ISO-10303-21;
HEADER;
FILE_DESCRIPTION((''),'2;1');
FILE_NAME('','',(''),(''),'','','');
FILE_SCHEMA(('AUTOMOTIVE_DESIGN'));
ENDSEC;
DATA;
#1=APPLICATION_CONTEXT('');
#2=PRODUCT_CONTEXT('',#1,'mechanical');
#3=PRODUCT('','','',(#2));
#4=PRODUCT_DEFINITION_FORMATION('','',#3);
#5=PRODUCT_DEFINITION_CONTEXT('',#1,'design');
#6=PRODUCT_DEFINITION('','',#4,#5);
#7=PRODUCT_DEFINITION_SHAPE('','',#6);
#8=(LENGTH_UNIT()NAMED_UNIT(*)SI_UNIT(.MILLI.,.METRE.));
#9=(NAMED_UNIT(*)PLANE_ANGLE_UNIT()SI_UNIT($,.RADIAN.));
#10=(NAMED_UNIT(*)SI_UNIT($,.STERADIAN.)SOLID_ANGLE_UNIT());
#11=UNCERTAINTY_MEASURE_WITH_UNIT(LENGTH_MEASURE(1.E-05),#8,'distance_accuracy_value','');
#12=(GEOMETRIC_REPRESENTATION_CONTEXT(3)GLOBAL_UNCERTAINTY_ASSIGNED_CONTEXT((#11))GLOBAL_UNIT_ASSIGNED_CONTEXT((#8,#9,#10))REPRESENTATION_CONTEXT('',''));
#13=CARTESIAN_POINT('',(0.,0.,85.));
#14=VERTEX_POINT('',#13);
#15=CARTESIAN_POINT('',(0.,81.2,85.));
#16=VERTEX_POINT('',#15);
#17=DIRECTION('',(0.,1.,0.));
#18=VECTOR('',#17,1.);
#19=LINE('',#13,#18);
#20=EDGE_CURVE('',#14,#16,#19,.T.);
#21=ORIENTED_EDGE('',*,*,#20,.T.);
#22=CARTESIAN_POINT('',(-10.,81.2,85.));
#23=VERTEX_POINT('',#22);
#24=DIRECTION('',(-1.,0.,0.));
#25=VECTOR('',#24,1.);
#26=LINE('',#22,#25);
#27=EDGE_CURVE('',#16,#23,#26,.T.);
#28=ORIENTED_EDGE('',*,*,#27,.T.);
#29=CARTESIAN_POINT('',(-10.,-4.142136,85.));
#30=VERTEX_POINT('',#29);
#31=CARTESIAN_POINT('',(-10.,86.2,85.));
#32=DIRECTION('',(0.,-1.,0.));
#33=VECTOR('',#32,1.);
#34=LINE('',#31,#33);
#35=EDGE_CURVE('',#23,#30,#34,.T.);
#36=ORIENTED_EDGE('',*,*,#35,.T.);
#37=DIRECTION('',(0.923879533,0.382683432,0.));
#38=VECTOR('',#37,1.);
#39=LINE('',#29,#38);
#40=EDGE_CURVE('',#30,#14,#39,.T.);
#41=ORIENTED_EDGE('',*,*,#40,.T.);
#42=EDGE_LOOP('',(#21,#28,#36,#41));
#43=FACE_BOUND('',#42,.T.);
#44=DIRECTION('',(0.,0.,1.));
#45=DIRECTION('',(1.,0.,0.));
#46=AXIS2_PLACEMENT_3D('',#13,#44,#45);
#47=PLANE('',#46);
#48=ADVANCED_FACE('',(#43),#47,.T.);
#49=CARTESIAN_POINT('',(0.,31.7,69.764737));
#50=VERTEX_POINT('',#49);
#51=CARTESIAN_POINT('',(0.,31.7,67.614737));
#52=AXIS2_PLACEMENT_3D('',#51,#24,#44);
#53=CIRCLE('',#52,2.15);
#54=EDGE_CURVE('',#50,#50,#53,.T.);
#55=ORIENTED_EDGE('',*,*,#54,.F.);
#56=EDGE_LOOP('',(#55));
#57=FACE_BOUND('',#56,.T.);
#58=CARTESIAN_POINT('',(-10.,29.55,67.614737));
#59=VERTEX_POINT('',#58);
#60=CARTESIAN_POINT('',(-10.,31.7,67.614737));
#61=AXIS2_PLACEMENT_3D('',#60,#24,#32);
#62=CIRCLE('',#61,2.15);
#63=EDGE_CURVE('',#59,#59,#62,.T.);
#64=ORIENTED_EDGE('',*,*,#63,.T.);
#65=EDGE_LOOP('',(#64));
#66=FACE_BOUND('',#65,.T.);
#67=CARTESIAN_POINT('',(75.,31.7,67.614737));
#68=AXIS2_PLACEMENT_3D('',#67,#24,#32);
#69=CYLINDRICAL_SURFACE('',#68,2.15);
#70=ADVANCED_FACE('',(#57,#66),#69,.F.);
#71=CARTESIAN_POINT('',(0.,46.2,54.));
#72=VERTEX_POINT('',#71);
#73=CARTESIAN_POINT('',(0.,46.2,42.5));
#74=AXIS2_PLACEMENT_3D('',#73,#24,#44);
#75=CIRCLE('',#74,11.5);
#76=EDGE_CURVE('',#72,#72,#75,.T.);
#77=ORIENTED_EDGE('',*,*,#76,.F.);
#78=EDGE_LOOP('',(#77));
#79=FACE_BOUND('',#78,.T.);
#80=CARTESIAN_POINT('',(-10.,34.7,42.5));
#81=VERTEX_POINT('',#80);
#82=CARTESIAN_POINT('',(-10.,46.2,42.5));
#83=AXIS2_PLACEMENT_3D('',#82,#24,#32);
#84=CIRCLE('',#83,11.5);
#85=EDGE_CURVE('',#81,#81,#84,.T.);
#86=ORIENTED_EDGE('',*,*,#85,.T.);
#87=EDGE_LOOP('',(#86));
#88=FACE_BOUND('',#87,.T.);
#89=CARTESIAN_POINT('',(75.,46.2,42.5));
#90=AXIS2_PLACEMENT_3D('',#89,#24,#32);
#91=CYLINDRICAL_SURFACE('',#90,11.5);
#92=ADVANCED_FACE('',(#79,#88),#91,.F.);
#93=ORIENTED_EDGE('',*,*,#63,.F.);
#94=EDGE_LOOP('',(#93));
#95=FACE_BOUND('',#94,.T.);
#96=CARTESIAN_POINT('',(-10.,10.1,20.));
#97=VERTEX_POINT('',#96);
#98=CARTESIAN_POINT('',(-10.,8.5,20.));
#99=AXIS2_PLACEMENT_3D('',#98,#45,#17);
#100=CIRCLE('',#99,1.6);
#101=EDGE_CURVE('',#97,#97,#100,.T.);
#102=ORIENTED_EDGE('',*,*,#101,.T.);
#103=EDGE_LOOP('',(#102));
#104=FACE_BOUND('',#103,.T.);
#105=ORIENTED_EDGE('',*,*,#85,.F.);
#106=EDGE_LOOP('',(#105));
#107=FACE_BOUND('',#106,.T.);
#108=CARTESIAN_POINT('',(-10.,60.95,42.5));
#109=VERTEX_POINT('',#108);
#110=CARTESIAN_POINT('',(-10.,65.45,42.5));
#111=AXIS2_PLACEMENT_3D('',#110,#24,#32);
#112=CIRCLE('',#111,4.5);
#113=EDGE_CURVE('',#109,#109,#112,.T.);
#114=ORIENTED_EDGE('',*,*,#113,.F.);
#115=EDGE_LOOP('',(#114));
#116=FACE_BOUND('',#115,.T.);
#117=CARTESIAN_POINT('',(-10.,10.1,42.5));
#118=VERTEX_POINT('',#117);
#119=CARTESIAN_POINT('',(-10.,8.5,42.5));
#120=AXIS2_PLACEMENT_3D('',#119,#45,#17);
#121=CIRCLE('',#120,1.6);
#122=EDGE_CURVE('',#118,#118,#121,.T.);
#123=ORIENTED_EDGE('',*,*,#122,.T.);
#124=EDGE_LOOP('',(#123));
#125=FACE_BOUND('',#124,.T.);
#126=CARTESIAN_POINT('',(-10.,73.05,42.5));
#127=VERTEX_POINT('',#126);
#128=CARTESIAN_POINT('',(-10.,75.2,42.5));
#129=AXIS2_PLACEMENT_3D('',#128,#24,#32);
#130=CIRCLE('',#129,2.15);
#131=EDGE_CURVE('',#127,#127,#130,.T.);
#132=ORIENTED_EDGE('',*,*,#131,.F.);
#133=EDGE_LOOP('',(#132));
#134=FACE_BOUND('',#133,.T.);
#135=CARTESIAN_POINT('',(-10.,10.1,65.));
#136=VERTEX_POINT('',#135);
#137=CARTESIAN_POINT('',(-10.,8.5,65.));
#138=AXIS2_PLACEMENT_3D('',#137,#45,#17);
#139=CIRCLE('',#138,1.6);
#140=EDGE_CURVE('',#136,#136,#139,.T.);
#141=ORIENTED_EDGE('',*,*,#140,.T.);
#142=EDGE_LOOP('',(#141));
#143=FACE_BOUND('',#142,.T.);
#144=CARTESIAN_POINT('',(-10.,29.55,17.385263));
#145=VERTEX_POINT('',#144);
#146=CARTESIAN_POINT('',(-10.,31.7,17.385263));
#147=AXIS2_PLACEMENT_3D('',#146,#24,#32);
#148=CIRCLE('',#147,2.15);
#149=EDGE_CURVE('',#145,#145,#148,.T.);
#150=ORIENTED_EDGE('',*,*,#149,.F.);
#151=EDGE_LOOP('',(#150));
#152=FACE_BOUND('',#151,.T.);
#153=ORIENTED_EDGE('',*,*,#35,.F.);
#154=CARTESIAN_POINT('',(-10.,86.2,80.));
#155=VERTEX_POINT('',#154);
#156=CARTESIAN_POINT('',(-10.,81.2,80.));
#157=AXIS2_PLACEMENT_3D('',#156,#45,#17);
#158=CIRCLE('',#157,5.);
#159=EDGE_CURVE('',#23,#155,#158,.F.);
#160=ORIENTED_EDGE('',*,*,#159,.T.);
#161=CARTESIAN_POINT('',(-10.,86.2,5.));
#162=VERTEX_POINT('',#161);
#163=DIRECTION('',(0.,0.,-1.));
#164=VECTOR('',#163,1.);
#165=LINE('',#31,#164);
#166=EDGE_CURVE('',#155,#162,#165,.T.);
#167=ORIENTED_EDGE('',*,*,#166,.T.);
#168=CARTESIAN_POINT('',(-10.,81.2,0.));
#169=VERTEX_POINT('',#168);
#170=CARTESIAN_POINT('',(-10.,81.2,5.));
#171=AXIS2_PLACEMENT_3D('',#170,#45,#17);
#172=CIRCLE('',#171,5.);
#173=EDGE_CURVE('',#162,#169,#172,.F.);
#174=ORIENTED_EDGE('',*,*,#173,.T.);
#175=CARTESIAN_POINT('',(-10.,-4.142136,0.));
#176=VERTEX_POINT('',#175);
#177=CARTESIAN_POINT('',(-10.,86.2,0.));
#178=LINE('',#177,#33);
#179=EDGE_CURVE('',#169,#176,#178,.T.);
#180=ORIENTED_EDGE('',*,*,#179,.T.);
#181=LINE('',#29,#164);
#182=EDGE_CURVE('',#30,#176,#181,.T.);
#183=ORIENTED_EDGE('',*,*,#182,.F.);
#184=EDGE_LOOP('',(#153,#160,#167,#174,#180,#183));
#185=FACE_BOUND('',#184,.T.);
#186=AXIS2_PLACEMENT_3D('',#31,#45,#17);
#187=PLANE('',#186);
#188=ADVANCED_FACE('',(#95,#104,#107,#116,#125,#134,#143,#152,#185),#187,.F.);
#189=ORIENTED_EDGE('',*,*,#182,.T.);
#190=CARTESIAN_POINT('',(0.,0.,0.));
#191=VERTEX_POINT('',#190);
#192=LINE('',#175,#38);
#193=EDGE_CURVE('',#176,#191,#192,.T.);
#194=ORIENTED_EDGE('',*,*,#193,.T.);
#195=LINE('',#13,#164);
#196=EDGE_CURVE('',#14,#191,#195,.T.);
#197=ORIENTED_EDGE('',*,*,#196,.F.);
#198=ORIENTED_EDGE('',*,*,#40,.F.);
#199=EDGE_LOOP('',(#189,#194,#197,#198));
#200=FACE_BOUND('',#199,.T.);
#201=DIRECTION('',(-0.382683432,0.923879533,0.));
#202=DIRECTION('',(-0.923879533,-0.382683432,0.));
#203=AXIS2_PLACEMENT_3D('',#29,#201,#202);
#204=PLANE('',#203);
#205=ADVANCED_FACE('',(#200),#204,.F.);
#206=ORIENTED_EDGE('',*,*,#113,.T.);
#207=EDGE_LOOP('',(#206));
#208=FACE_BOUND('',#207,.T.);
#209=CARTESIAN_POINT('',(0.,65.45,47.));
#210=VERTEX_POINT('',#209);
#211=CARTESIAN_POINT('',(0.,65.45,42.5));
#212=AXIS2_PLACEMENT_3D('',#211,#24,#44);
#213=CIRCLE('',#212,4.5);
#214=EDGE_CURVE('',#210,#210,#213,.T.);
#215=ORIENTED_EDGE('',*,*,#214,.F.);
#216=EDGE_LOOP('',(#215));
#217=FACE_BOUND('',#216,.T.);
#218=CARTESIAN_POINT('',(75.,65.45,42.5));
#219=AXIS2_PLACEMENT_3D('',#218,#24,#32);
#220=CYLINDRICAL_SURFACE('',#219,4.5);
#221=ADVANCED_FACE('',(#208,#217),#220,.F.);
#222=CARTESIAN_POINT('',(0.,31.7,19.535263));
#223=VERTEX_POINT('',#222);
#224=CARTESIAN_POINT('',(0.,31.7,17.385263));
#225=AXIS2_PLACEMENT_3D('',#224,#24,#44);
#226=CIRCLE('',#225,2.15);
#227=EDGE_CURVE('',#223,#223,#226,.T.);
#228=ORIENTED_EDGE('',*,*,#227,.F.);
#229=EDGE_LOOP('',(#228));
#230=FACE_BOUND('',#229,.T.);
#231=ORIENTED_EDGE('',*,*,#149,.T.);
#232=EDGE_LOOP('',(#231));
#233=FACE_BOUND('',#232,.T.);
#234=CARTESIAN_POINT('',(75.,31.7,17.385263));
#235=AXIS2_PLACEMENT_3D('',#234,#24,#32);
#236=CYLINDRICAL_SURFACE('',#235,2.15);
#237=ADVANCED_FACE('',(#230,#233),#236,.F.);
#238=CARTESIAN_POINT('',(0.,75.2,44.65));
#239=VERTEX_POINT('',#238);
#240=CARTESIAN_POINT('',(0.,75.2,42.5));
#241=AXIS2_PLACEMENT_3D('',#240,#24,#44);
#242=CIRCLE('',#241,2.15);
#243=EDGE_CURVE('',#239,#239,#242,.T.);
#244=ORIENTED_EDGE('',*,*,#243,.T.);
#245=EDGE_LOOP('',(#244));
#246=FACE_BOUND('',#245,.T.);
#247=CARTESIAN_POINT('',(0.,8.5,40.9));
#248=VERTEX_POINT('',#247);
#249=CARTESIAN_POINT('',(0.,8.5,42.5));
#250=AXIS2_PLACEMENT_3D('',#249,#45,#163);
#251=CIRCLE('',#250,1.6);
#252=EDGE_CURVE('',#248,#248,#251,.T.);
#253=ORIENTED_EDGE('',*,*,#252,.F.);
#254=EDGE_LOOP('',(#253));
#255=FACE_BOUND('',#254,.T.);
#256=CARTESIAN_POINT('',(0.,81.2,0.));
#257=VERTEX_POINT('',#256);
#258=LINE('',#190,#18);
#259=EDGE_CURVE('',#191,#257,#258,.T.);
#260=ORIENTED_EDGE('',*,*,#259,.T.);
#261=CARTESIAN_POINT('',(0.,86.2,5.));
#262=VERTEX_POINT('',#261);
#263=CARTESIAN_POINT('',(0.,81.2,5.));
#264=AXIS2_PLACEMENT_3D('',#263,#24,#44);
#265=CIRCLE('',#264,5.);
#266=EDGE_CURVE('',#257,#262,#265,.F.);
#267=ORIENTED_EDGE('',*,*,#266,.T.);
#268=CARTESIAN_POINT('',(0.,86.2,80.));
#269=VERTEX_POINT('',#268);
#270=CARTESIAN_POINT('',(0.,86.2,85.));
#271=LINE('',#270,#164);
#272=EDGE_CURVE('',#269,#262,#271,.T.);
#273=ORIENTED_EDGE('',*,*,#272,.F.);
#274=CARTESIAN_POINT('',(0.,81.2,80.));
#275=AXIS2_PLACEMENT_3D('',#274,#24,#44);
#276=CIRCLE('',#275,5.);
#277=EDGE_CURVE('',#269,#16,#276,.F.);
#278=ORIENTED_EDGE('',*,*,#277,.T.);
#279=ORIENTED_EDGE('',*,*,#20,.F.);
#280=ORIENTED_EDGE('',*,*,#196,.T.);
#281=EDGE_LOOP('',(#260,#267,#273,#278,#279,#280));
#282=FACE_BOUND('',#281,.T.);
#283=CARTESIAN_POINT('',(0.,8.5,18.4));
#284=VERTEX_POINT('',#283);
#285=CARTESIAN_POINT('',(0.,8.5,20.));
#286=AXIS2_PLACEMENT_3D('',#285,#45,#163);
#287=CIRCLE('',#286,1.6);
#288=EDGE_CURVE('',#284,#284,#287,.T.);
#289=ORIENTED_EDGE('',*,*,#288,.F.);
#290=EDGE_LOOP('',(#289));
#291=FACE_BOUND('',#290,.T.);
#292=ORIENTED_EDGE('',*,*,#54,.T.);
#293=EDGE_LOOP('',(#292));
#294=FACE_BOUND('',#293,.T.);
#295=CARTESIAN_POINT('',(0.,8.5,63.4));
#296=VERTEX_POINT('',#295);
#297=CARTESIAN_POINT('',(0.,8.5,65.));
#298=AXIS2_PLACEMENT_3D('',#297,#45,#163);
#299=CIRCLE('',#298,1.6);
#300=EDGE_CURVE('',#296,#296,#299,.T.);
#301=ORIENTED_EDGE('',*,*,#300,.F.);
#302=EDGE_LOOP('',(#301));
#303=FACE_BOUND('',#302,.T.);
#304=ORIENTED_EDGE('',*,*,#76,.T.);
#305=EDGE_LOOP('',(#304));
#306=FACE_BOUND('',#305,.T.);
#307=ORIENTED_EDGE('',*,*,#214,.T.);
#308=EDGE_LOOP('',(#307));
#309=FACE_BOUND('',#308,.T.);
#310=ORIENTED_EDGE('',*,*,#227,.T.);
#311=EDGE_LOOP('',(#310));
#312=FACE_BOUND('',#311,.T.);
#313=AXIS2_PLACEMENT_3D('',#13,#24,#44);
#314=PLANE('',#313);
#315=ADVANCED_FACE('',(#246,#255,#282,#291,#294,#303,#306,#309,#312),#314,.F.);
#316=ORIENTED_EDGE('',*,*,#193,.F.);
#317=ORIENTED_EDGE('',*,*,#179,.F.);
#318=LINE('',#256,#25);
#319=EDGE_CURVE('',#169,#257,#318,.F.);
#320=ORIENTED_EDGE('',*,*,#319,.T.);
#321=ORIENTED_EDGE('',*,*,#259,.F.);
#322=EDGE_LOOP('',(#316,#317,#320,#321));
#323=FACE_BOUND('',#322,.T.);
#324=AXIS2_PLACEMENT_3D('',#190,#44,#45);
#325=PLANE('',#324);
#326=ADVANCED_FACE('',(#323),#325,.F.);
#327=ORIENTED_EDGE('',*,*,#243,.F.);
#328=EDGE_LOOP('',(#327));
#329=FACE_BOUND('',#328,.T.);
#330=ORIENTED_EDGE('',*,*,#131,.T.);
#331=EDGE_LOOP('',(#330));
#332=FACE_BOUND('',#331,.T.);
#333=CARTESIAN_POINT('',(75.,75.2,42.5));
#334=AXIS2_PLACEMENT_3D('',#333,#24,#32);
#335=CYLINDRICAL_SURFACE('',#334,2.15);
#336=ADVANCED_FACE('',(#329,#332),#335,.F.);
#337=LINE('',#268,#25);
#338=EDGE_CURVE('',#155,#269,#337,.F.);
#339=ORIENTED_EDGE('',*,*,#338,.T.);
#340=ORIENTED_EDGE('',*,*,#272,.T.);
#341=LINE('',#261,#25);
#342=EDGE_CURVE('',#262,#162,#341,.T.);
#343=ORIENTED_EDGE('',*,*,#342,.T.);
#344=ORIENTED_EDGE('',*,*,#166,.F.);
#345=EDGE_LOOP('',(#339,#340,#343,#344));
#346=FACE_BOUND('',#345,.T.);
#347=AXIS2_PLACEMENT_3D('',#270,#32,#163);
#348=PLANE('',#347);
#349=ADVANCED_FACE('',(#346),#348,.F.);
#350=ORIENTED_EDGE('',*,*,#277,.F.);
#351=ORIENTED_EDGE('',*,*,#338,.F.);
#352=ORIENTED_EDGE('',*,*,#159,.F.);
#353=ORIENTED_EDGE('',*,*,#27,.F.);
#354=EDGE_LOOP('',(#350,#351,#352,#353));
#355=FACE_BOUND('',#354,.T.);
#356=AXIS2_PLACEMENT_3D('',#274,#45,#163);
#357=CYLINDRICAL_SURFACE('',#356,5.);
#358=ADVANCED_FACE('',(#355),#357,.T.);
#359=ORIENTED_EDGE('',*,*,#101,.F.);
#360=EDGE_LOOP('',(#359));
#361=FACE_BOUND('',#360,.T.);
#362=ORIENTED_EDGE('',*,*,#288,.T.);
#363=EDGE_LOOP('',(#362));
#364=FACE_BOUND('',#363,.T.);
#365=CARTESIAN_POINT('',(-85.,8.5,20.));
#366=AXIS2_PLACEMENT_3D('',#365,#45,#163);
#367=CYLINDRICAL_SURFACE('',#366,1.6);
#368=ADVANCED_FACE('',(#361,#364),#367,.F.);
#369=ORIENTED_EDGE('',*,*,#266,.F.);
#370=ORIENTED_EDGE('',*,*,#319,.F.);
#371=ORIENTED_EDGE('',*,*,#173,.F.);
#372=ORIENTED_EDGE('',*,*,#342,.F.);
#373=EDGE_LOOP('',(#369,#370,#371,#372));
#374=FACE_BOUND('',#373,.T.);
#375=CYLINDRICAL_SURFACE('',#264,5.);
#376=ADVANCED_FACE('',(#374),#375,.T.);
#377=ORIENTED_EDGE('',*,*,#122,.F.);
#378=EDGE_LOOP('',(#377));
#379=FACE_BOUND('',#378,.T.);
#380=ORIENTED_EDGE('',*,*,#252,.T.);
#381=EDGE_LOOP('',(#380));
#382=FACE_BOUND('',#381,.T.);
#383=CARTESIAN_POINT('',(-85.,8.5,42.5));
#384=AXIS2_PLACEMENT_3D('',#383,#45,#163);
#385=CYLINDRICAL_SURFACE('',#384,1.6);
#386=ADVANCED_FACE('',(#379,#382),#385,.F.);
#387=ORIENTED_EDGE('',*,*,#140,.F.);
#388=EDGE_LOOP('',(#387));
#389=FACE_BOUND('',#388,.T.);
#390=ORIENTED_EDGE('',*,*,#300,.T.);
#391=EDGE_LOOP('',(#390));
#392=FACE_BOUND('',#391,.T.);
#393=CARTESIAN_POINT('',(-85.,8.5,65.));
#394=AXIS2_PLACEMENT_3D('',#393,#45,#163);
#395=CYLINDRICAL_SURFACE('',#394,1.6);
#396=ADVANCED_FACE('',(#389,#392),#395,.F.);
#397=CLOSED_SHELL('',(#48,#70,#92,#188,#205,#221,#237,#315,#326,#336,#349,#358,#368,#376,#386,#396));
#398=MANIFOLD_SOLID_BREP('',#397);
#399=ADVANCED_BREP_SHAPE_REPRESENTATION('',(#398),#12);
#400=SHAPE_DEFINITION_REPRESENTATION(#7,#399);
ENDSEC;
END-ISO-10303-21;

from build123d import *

# Parameters (mm, degrees)
BOSS_EXTRUDE1_DEPTH = 85
SKETCH3_R           = 11.5
SKETCH3_R_2         = 4.5
SKETCH3_R_3         = 2.15
CUT_EXTRUDE1_DEPTH  = 85
SKETCH4_R           = 1.6
CUT_EXTRUDE2_DEPTH  = 85
FILLET1_R           = 5


with BuildPart() as part:
    # Sketch2 → Boss-Extrude1 (new body)
    with BuildSketch(Plane.XY):
        Polygon((0, 0), (0, 86.2), (-10, 86.2), (-10, -4.142135624), align=None)
    extrude(amount=BOSS_EXTRUDE1_DEPTH)

    # Sketch3 → Cut-Extrude1 (cut)
    with BuildSketch(Plane.ZY.offset(10)):
        with Locations(Location((42.5, 46.2, 0), (0, 0, 270))):
            Circle(SKETCH3_R)
        with Locations(Location((42.5, 65.45, 0), (0, 0, 270))):
            Circle(SKETCH3_R_2)
        with Locations(Location((42.5, 75.2, 0), (0, 0, 270))):
            Circle(SKETCH3_R_3)
        with Locations(Location((67.61473671, 31.7, 0), (0, 0, 270))):
            Circle(SKETCH3_R_3)
        with Locations(Location((17.38526329, 31.7, 0), (0, 0, 270))):
            Circle(SKETCH3_R_3)
    extrude(amount=-CUT_EXTRUDE1_DEPTH, mode=Mode.SUBTRACT)

    # Sketch4 → Cut-Extrude2 (cut)
    with BuildSketch(Plane(origin=(0, 0, 0), x_dir=(0, 0, -1), z_dir=(1, 0, 0))):
        with Locations((-65, 8.5)):
            Circle(SKETCH4_R)
        with Locations((-20, 8.5)):
            Circle(SKETCH4_R)
        with Locations((-42.5, 8.5)):
            Circle(SKETCH4_R)
    extrude(amount=-CUT_EXTRUDE2_DEPTH, mode=Mode.SUBTRACT)

    # Fillet1
    fillet1_edges = [part.edges().sort_by_distance(p)[0] for p in [
        (-5, 86.2, 85),
        (-5, 86.2, 0),
    ]]
    fillet(fillet1_edges, radius=FILLET1_R)


solid = part.part
